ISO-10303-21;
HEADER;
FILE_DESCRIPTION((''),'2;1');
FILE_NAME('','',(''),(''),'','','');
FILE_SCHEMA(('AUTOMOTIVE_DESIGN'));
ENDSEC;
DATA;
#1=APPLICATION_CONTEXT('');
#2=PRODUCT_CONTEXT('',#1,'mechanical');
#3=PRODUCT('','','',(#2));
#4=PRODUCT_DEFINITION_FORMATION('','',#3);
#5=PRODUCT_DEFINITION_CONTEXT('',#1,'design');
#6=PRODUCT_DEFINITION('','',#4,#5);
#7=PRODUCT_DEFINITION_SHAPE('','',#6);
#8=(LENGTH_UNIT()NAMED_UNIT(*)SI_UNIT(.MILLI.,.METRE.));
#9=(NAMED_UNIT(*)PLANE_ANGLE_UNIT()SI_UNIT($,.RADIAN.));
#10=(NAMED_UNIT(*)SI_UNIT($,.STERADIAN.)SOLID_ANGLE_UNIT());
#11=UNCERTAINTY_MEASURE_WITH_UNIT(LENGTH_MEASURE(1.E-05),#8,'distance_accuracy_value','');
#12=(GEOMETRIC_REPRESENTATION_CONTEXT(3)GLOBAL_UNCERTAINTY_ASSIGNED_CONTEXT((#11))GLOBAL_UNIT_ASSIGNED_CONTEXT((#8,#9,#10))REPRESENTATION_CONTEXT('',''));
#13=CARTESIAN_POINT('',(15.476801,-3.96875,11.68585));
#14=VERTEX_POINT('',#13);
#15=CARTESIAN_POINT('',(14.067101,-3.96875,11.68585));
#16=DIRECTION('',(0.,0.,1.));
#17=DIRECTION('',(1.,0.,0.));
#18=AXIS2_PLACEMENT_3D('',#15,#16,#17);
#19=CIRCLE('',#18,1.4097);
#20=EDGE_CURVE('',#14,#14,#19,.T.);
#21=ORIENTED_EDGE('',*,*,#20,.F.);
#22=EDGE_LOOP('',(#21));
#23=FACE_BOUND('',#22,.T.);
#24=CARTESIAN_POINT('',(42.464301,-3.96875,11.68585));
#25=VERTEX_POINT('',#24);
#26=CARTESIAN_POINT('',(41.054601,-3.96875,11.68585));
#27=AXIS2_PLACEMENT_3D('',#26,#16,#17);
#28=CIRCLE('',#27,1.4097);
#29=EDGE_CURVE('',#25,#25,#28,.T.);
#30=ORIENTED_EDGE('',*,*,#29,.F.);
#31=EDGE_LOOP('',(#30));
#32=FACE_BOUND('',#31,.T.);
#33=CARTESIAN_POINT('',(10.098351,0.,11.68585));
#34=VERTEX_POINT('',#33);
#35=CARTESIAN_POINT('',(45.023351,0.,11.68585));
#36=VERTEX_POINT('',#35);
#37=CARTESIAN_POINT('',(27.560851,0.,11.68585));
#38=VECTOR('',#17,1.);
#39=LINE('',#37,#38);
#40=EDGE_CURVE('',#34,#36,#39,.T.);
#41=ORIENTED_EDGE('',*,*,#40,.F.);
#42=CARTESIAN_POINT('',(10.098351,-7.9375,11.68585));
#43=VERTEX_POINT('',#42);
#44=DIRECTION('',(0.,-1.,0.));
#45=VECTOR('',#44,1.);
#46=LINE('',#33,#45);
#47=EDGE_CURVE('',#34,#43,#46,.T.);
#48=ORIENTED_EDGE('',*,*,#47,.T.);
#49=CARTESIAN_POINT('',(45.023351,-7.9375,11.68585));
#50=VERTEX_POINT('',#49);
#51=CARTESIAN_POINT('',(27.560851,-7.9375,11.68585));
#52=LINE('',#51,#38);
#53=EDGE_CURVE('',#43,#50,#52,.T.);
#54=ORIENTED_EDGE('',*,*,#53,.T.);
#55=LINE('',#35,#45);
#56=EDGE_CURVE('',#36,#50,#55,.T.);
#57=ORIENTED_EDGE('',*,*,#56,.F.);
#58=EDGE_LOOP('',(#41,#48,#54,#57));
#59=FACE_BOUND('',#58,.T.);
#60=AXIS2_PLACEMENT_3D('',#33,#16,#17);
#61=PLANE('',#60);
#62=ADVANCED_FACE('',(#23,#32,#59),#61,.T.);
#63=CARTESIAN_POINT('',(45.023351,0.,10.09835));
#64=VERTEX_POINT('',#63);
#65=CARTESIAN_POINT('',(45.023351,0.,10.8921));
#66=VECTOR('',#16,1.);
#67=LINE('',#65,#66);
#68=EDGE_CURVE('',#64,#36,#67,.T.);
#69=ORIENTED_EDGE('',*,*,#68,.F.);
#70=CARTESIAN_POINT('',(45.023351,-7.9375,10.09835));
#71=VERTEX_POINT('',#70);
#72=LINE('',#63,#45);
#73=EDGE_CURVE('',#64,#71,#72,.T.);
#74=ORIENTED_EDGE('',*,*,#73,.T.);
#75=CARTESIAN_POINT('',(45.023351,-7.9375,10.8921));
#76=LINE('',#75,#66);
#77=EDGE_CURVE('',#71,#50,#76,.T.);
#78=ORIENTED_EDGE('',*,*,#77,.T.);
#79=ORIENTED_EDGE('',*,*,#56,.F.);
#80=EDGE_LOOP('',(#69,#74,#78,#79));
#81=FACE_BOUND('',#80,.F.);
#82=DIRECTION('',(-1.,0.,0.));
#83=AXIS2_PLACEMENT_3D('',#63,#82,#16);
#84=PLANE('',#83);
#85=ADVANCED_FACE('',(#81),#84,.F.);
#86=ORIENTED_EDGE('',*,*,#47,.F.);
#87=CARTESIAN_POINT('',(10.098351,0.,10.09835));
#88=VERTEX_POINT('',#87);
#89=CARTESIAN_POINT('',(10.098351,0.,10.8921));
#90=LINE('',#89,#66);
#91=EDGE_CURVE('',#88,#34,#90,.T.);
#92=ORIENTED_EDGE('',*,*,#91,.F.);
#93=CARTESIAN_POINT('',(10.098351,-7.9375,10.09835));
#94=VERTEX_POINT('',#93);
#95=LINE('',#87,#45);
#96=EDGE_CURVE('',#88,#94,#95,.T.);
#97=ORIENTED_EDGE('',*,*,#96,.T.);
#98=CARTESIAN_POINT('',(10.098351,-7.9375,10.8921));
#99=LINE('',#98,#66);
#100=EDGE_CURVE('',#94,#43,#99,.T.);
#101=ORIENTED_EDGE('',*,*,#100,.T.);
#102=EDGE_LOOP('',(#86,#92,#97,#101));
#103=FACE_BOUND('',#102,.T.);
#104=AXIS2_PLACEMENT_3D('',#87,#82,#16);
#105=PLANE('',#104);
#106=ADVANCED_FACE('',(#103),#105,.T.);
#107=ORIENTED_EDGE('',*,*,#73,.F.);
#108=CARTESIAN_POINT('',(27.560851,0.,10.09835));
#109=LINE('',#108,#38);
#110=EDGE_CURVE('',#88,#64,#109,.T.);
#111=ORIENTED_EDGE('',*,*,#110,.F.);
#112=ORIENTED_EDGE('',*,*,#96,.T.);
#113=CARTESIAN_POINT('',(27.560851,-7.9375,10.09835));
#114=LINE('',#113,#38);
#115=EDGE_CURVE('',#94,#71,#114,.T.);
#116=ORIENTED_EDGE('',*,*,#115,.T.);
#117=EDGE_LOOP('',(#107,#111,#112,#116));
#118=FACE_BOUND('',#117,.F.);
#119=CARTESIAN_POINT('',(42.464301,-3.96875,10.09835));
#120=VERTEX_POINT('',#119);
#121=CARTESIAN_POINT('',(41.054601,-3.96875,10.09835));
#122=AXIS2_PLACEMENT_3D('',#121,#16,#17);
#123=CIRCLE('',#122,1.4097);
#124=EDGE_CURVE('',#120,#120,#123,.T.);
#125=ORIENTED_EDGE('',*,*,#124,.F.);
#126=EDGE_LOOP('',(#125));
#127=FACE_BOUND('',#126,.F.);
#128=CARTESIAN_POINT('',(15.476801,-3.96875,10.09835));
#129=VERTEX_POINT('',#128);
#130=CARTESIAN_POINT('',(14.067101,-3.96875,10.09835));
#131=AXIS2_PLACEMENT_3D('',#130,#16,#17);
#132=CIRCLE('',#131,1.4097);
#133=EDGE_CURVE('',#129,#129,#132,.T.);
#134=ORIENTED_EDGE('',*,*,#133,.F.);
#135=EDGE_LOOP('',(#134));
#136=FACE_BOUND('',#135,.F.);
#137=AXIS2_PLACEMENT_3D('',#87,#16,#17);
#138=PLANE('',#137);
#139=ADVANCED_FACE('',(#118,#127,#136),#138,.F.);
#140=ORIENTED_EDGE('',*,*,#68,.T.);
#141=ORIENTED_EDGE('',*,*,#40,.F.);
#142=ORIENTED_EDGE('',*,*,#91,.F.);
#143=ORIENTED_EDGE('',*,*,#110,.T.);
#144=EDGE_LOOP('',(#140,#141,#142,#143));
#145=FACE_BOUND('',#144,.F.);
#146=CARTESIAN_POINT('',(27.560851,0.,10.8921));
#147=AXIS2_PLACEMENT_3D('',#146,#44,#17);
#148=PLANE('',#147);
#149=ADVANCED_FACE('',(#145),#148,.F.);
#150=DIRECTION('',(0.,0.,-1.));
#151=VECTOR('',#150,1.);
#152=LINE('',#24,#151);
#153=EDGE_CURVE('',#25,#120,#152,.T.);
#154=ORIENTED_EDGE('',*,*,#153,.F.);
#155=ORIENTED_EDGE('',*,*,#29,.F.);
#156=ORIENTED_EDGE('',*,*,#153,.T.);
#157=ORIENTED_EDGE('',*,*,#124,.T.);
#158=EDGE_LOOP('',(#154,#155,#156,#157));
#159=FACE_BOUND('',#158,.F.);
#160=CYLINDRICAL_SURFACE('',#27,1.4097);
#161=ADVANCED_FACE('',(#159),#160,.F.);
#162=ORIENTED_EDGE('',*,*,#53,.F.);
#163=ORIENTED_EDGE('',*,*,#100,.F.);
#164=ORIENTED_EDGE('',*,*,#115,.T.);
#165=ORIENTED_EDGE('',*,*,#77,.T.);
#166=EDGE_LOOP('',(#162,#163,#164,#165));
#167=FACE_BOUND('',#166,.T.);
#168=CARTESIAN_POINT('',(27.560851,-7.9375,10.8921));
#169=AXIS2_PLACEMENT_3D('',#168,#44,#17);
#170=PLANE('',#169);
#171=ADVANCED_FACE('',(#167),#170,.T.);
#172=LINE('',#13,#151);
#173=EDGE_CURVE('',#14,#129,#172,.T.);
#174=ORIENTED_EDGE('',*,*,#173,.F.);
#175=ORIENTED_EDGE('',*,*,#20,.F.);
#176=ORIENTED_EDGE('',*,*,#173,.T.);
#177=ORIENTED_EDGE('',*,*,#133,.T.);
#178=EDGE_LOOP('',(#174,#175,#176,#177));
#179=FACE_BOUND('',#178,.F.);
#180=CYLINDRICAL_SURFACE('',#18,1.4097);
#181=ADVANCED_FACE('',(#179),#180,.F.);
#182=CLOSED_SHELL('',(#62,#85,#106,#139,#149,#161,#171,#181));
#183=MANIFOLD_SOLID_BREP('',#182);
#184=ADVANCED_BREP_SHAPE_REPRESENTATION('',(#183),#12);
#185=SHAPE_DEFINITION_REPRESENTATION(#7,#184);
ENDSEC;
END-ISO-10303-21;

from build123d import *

# Parameters (mm, degrees)
F0_W     = 34.925
F0_H     = 1.5875
F1_DEPTH = 7.9375
F2_R     = 1.4097
F3_DEPTH = 1.5875


with BuildPart() as f1:
    # F0 (on Front) → F1 (new body)
    with BuildSketch(Plane.XZ):
        with Locations((27.560851, 10.8921)):
            Rectangle(F0_W, F0_H)
    extrude(amount=F1_DEPTH)

    # F2 (on face) → F3 (cut)
    with BuildSketch(Plane.XY.offset(11.68585)):
        with Locations((14.067101, -3.96875)):
            Circle(F2_R)
        with Locations((41.054601, -3.96875)):
            Circle(F2_R)
    extrude(amount=-F3_DEPTH, mode=Mode.SUBTRACT)


solid = f1.part
